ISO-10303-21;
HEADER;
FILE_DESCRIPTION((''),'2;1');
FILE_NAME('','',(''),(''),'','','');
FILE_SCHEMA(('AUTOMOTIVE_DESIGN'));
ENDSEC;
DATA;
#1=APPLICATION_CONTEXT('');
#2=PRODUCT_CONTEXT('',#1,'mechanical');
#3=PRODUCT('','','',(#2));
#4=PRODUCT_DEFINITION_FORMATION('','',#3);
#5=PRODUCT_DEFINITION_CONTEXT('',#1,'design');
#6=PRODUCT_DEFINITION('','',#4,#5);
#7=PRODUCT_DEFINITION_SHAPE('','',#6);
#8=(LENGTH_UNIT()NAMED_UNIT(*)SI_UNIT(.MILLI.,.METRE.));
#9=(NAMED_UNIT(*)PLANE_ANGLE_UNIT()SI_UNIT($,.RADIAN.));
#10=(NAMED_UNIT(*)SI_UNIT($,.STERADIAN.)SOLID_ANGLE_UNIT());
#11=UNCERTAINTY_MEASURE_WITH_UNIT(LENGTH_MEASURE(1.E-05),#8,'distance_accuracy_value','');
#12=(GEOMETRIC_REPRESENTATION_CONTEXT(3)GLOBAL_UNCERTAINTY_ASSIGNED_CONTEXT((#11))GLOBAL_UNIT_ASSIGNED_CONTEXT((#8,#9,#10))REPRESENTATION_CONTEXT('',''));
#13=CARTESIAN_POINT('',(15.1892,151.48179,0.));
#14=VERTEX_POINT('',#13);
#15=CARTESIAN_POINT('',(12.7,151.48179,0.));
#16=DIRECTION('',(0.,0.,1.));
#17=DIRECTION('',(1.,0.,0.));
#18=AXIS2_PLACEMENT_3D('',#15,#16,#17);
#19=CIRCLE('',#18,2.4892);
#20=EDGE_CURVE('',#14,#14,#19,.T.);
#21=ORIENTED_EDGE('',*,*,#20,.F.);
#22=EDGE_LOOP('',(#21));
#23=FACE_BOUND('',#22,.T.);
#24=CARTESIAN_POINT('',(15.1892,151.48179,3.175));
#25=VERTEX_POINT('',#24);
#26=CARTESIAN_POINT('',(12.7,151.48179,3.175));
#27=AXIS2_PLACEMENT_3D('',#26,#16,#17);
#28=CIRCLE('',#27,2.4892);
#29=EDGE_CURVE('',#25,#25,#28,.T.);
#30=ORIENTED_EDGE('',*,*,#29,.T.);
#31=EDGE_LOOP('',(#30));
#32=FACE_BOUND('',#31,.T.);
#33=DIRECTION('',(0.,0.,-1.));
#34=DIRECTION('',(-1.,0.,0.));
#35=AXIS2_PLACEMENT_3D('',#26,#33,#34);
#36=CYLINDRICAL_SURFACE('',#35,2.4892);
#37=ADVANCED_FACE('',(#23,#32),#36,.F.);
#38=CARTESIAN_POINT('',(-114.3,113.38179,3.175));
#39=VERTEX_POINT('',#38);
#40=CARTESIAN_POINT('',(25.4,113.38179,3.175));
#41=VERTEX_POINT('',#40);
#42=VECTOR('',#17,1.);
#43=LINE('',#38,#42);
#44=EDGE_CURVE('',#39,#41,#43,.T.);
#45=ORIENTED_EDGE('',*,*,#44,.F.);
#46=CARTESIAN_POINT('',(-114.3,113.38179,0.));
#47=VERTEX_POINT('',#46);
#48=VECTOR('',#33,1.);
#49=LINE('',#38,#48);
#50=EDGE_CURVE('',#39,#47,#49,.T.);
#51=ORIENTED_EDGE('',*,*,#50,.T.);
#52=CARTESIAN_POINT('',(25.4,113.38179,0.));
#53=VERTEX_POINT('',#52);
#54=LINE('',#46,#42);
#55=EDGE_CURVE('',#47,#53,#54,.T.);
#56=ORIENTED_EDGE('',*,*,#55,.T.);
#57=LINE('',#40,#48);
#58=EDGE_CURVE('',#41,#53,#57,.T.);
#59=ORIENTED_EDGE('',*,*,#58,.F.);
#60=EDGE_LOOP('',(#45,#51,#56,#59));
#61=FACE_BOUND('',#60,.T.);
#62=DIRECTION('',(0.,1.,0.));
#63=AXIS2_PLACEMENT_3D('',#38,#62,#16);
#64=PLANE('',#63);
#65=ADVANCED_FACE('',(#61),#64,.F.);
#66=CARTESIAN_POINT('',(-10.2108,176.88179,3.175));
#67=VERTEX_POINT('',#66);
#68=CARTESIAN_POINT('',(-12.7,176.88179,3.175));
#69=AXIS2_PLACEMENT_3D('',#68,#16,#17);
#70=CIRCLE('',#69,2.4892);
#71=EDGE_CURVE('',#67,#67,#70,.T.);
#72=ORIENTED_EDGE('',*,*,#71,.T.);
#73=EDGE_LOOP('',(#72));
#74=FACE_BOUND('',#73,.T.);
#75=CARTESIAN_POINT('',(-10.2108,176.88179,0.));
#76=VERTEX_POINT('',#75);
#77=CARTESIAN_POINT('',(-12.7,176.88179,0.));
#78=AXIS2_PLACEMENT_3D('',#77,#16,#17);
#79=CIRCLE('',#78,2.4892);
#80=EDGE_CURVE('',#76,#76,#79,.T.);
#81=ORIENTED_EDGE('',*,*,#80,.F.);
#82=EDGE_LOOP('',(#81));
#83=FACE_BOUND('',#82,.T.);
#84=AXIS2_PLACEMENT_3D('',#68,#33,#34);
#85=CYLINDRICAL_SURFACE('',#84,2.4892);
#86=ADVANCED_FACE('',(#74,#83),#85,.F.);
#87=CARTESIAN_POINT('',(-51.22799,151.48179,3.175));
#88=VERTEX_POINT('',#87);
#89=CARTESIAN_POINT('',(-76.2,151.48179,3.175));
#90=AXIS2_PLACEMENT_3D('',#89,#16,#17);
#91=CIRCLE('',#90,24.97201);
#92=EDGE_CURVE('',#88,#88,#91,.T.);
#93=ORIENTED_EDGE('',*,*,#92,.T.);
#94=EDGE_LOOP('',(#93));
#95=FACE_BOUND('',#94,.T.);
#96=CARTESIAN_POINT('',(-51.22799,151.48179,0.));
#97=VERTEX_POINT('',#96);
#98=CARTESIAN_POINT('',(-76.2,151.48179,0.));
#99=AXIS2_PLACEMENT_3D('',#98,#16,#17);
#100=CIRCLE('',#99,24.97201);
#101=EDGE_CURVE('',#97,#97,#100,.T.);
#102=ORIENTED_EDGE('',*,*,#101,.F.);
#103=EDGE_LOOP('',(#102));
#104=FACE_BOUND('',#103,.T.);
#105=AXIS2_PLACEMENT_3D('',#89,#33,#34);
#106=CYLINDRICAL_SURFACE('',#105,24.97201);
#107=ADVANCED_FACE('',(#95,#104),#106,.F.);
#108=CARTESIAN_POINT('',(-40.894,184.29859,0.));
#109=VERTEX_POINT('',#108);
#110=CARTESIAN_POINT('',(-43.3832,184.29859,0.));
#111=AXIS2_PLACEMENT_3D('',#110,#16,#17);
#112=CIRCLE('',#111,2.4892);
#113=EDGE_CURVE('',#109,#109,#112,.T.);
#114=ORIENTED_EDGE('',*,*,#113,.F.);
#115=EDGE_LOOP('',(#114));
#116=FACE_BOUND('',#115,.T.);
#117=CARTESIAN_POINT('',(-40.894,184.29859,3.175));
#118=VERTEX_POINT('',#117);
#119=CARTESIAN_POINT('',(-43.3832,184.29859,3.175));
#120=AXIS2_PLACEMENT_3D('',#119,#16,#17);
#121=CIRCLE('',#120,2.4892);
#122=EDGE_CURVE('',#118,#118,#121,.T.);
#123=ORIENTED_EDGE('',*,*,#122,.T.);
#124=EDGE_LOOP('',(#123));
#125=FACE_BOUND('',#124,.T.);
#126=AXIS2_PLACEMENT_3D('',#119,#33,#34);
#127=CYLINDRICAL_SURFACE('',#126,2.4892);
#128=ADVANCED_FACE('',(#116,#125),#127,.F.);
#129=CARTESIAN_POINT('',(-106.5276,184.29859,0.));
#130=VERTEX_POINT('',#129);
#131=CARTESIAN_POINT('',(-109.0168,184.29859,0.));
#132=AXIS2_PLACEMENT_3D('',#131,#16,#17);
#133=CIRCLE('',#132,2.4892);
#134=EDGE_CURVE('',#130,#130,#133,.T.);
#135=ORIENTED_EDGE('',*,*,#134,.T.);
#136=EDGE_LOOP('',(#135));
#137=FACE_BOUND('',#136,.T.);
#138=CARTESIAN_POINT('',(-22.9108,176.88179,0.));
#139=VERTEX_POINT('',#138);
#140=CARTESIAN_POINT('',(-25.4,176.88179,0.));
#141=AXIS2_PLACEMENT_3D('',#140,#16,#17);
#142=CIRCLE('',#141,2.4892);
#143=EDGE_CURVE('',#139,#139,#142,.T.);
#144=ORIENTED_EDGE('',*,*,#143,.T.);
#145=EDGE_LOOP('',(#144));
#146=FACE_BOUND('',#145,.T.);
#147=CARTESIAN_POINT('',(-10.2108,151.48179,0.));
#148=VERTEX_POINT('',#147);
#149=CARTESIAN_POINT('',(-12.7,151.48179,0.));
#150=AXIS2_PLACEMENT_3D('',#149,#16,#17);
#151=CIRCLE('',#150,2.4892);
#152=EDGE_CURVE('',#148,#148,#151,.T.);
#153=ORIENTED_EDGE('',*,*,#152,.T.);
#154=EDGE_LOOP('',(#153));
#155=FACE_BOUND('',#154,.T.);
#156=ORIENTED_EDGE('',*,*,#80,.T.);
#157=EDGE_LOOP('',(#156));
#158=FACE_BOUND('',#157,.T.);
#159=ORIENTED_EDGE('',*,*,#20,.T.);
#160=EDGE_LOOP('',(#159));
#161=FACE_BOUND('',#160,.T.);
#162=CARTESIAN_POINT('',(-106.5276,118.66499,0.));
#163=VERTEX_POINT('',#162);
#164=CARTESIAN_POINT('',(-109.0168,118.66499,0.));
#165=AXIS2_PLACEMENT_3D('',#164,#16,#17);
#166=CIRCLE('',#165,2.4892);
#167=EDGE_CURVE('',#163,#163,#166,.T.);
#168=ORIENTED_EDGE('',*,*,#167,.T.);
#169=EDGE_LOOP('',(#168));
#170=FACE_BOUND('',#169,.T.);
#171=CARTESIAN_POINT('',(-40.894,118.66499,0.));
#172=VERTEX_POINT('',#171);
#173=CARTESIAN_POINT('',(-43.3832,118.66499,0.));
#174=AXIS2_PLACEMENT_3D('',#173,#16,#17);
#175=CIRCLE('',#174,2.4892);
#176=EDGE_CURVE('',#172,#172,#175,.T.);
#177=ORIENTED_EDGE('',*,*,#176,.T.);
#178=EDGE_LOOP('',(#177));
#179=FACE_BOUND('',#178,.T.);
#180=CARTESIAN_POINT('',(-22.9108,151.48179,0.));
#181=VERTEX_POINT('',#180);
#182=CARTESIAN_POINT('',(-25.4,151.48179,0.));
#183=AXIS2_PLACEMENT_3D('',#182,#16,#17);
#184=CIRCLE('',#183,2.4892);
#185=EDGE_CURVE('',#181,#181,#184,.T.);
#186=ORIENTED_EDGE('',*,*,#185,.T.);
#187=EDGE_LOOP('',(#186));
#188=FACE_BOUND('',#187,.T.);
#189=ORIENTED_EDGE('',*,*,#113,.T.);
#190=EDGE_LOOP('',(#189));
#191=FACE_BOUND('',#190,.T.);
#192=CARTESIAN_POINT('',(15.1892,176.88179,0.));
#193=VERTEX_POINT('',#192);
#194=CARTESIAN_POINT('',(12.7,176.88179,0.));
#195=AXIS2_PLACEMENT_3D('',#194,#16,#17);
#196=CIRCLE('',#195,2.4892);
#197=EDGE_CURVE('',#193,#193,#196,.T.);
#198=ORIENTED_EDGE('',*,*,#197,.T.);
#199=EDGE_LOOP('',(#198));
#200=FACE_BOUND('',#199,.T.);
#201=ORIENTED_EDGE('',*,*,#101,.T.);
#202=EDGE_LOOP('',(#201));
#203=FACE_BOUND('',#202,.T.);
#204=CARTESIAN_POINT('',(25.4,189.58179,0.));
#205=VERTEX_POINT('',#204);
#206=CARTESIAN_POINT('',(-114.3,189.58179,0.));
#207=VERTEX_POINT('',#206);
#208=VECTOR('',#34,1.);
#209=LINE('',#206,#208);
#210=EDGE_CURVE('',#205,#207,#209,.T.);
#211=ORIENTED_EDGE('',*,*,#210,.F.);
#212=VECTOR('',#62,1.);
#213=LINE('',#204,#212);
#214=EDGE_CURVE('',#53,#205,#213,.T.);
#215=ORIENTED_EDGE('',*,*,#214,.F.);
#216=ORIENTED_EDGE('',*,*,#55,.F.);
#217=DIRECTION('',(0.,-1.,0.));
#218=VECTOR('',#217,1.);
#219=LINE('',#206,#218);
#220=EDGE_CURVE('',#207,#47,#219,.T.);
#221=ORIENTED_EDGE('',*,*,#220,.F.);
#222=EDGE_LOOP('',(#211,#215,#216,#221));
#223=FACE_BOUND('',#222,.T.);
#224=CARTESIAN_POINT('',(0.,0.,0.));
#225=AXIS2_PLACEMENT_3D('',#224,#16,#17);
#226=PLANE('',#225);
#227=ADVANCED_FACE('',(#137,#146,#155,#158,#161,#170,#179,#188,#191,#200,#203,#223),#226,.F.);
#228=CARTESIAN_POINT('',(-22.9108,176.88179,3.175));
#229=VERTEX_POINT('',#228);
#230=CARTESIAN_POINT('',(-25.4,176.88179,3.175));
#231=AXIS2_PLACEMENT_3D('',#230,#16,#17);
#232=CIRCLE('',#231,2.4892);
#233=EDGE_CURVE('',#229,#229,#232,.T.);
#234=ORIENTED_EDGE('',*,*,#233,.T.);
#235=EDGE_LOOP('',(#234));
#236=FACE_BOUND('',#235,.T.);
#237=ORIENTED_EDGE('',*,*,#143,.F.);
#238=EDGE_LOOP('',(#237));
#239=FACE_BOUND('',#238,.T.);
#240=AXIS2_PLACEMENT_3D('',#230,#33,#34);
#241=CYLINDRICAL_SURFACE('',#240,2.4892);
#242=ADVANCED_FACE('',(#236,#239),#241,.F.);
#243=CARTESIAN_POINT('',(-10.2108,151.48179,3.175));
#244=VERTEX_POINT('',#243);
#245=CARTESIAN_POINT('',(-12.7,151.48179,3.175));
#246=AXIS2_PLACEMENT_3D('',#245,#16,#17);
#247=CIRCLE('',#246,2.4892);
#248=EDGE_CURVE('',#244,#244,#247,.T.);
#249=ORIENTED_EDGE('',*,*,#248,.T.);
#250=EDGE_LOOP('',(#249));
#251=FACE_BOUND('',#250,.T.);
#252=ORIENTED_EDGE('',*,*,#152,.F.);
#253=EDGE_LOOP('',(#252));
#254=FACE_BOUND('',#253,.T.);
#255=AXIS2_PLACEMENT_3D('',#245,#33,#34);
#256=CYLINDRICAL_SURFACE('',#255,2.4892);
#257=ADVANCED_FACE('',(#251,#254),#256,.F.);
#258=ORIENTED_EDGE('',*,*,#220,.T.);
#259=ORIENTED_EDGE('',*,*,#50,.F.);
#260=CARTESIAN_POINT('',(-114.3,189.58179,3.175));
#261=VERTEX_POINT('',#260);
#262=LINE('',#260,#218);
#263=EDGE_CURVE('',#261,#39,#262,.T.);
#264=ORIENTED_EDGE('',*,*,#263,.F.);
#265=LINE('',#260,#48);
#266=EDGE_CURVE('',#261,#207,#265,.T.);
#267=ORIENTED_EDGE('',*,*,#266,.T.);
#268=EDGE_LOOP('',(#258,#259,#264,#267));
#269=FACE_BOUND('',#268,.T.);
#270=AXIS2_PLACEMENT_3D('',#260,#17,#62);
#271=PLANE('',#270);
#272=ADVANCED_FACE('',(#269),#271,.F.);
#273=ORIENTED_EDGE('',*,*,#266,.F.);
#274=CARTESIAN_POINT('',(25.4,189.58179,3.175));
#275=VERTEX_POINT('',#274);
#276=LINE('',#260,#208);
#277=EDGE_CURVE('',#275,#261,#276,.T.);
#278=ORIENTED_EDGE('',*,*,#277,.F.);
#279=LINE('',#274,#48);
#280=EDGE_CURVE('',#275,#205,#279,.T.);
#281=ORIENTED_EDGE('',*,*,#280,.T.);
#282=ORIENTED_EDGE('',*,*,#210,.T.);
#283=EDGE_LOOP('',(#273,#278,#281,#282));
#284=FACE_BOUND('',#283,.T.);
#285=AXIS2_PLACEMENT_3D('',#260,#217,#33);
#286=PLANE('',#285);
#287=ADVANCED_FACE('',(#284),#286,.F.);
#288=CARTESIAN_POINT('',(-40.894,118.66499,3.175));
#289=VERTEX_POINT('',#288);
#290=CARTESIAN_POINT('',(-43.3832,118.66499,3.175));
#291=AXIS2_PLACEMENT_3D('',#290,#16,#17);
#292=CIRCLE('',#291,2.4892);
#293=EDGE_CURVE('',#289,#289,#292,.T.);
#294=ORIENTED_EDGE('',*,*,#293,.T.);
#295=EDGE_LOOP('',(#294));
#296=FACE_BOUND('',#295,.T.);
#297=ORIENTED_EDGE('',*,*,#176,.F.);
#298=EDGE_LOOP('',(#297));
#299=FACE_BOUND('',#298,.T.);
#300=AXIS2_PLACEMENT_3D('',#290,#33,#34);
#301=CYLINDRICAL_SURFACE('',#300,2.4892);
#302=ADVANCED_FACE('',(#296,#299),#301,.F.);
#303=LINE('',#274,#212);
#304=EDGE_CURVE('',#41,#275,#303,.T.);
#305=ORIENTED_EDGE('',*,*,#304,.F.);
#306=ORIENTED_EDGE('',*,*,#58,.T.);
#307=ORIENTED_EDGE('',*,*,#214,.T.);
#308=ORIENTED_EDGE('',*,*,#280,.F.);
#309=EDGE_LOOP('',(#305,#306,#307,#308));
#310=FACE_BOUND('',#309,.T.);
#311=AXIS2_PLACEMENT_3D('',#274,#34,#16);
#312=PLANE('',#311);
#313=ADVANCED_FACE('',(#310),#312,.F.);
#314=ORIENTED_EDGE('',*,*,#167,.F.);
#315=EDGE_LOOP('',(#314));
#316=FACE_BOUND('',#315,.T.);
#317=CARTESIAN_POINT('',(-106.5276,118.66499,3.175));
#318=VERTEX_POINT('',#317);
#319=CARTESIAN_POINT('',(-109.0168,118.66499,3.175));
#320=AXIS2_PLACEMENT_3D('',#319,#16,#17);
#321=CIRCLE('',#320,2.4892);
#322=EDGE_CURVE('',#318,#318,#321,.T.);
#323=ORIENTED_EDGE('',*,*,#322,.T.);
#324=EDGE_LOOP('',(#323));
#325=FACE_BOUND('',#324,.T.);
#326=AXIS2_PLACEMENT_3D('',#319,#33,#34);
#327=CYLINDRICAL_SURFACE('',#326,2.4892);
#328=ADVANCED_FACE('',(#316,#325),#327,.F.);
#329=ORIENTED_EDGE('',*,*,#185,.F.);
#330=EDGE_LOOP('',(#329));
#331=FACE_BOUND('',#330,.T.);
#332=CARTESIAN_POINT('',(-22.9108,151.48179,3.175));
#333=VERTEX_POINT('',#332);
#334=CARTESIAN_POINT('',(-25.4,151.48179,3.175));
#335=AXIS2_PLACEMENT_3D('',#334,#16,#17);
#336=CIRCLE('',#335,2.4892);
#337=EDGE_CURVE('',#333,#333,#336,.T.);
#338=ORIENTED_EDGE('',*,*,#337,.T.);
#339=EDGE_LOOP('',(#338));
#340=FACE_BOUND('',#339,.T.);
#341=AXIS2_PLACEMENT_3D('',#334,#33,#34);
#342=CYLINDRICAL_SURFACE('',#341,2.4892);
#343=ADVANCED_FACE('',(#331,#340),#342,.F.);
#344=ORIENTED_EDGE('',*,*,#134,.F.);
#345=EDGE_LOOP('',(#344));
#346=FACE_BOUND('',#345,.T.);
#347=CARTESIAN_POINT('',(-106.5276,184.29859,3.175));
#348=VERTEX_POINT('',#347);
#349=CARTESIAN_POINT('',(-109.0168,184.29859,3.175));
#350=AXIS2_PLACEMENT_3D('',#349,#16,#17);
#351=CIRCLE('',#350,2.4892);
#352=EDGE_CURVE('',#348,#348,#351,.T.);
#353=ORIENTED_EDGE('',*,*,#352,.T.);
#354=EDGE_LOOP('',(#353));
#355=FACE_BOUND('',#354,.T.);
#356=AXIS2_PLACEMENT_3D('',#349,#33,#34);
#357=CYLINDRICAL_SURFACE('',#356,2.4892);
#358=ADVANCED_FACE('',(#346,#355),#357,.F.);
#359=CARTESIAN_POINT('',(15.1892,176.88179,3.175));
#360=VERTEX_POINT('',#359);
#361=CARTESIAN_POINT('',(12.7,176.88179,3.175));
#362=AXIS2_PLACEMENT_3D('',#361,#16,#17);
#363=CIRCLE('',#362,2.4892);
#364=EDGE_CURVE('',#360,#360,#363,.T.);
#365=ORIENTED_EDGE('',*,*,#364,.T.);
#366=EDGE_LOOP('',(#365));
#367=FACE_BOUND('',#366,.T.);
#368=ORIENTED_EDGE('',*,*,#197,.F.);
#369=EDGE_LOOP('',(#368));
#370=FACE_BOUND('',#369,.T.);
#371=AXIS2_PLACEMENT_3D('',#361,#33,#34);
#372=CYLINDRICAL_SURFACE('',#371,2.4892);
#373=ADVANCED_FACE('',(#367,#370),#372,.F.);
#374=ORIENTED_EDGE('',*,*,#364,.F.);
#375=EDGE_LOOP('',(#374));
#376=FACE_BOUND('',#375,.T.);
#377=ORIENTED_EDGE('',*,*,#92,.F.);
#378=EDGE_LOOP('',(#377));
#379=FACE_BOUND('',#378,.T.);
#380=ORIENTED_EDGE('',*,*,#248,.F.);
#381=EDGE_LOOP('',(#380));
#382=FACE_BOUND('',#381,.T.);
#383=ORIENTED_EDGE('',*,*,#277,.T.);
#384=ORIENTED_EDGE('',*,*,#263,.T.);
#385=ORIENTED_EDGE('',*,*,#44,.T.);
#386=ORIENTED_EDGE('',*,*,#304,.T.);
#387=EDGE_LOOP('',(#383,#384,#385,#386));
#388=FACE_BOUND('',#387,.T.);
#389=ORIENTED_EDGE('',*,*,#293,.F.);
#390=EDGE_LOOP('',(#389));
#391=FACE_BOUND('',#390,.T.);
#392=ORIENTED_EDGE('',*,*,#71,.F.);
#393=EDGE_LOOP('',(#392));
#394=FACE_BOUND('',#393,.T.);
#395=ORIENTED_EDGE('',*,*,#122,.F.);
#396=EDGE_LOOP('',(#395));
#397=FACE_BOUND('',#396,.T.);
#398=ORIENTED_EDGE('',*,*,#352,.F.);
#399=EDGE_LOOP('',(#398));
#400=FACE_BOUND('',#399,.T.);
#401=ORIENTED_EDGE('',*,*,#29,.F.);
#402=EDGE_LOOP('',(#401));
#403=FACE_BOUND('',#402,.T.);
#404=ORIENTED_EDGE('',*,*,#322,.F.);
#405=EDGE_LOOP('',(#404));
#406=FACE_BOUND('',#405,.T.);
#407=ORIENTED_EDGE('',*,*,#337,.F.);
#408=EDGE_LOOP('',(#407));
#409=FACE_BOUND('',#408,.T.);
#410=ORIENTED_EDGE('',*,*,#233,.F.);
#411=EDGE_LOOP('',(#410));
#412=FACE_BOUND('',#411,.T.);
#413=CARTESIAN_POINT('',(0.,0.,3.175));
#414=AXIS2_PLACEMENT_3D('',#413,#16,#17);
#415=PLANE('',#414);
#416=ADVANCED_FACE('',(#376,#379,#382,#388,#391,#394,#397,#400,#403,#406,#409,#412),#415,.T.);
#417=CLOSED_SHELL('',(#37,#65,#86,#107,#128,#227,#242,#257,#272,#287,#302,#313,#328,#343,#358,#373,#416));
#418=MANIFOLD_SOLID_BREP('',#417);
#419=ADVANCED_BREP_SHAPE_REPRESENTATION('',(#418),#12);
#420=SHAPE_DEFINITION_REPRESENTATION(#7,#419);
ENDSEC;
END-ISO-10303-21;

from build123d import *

# Parameters (mm, degrees)
SKETCH1_W           = 139.7
SKETCH1_H           = 76.2
SKETCH1_R           = 2.4892
SKETCH1_R_2         = 24.97201
BOSS_EXTRUDE1_DEPTH = 3.175


with BuildPart() as part:
    # Sketch1 → Boss-Extrude1 (new body)
    with BuildSketch(Plane.XY):
        with Locations((-44.45, 151.48179)):
            Rectangle(SKETCH1_W, SKETCH1_H)
        with Locations((-109.0168, 118.66499)):
            Circle(SKETCH1_R, mode=Mode.SUBTRACT)
        with Locations((-76.2, 151.48179)):
            Circle(SKETCH1_R_2, mode=Mode.SUBTRACT)
        with Locations((-43.3832, 184.29859)):
            Circle(SKETCH1_R, mode=Mode.SUBTRACT)
        with Locations((-25.4, 151.48179)):
            Circle(SKETCH1_R, mode=Mode.SUBTRACT)
        with Locations((-25.4, 176.88179)):
            Circle(SKETCH1_R, mode=Mode.SUBTRACT)
        with Locations((-12.7, 151.48179)):
            Circle(SKETCH1_R, mode=Mode.SUBTRACT)
        with Locations((-12.7, 176.88179)):
            Circle(SKETCH1_R, mode=Mode.SUBTRACT)
        with Locations((12.7, 151.48179)):
            Circle(SKETCH1_R, mode=Mode.SUBTRACT)
        with Locations((12.7, 176.88179)):
            Circle(SKETCH1_R, mode=Mode.SUBTRACT)
        with Locations((-109.0168, 184.29859)):
            Circle(SKETCH1_R, mode=Mode.SUBTRACT)
        with Locations((-43.3832, 118.66499)):
            Circle(SKETCH1_R, mode=Mode.SUBTRACT)
    extrude(amount=BOSS_EXTRUDE1_DEPTH)


solid = part.part
